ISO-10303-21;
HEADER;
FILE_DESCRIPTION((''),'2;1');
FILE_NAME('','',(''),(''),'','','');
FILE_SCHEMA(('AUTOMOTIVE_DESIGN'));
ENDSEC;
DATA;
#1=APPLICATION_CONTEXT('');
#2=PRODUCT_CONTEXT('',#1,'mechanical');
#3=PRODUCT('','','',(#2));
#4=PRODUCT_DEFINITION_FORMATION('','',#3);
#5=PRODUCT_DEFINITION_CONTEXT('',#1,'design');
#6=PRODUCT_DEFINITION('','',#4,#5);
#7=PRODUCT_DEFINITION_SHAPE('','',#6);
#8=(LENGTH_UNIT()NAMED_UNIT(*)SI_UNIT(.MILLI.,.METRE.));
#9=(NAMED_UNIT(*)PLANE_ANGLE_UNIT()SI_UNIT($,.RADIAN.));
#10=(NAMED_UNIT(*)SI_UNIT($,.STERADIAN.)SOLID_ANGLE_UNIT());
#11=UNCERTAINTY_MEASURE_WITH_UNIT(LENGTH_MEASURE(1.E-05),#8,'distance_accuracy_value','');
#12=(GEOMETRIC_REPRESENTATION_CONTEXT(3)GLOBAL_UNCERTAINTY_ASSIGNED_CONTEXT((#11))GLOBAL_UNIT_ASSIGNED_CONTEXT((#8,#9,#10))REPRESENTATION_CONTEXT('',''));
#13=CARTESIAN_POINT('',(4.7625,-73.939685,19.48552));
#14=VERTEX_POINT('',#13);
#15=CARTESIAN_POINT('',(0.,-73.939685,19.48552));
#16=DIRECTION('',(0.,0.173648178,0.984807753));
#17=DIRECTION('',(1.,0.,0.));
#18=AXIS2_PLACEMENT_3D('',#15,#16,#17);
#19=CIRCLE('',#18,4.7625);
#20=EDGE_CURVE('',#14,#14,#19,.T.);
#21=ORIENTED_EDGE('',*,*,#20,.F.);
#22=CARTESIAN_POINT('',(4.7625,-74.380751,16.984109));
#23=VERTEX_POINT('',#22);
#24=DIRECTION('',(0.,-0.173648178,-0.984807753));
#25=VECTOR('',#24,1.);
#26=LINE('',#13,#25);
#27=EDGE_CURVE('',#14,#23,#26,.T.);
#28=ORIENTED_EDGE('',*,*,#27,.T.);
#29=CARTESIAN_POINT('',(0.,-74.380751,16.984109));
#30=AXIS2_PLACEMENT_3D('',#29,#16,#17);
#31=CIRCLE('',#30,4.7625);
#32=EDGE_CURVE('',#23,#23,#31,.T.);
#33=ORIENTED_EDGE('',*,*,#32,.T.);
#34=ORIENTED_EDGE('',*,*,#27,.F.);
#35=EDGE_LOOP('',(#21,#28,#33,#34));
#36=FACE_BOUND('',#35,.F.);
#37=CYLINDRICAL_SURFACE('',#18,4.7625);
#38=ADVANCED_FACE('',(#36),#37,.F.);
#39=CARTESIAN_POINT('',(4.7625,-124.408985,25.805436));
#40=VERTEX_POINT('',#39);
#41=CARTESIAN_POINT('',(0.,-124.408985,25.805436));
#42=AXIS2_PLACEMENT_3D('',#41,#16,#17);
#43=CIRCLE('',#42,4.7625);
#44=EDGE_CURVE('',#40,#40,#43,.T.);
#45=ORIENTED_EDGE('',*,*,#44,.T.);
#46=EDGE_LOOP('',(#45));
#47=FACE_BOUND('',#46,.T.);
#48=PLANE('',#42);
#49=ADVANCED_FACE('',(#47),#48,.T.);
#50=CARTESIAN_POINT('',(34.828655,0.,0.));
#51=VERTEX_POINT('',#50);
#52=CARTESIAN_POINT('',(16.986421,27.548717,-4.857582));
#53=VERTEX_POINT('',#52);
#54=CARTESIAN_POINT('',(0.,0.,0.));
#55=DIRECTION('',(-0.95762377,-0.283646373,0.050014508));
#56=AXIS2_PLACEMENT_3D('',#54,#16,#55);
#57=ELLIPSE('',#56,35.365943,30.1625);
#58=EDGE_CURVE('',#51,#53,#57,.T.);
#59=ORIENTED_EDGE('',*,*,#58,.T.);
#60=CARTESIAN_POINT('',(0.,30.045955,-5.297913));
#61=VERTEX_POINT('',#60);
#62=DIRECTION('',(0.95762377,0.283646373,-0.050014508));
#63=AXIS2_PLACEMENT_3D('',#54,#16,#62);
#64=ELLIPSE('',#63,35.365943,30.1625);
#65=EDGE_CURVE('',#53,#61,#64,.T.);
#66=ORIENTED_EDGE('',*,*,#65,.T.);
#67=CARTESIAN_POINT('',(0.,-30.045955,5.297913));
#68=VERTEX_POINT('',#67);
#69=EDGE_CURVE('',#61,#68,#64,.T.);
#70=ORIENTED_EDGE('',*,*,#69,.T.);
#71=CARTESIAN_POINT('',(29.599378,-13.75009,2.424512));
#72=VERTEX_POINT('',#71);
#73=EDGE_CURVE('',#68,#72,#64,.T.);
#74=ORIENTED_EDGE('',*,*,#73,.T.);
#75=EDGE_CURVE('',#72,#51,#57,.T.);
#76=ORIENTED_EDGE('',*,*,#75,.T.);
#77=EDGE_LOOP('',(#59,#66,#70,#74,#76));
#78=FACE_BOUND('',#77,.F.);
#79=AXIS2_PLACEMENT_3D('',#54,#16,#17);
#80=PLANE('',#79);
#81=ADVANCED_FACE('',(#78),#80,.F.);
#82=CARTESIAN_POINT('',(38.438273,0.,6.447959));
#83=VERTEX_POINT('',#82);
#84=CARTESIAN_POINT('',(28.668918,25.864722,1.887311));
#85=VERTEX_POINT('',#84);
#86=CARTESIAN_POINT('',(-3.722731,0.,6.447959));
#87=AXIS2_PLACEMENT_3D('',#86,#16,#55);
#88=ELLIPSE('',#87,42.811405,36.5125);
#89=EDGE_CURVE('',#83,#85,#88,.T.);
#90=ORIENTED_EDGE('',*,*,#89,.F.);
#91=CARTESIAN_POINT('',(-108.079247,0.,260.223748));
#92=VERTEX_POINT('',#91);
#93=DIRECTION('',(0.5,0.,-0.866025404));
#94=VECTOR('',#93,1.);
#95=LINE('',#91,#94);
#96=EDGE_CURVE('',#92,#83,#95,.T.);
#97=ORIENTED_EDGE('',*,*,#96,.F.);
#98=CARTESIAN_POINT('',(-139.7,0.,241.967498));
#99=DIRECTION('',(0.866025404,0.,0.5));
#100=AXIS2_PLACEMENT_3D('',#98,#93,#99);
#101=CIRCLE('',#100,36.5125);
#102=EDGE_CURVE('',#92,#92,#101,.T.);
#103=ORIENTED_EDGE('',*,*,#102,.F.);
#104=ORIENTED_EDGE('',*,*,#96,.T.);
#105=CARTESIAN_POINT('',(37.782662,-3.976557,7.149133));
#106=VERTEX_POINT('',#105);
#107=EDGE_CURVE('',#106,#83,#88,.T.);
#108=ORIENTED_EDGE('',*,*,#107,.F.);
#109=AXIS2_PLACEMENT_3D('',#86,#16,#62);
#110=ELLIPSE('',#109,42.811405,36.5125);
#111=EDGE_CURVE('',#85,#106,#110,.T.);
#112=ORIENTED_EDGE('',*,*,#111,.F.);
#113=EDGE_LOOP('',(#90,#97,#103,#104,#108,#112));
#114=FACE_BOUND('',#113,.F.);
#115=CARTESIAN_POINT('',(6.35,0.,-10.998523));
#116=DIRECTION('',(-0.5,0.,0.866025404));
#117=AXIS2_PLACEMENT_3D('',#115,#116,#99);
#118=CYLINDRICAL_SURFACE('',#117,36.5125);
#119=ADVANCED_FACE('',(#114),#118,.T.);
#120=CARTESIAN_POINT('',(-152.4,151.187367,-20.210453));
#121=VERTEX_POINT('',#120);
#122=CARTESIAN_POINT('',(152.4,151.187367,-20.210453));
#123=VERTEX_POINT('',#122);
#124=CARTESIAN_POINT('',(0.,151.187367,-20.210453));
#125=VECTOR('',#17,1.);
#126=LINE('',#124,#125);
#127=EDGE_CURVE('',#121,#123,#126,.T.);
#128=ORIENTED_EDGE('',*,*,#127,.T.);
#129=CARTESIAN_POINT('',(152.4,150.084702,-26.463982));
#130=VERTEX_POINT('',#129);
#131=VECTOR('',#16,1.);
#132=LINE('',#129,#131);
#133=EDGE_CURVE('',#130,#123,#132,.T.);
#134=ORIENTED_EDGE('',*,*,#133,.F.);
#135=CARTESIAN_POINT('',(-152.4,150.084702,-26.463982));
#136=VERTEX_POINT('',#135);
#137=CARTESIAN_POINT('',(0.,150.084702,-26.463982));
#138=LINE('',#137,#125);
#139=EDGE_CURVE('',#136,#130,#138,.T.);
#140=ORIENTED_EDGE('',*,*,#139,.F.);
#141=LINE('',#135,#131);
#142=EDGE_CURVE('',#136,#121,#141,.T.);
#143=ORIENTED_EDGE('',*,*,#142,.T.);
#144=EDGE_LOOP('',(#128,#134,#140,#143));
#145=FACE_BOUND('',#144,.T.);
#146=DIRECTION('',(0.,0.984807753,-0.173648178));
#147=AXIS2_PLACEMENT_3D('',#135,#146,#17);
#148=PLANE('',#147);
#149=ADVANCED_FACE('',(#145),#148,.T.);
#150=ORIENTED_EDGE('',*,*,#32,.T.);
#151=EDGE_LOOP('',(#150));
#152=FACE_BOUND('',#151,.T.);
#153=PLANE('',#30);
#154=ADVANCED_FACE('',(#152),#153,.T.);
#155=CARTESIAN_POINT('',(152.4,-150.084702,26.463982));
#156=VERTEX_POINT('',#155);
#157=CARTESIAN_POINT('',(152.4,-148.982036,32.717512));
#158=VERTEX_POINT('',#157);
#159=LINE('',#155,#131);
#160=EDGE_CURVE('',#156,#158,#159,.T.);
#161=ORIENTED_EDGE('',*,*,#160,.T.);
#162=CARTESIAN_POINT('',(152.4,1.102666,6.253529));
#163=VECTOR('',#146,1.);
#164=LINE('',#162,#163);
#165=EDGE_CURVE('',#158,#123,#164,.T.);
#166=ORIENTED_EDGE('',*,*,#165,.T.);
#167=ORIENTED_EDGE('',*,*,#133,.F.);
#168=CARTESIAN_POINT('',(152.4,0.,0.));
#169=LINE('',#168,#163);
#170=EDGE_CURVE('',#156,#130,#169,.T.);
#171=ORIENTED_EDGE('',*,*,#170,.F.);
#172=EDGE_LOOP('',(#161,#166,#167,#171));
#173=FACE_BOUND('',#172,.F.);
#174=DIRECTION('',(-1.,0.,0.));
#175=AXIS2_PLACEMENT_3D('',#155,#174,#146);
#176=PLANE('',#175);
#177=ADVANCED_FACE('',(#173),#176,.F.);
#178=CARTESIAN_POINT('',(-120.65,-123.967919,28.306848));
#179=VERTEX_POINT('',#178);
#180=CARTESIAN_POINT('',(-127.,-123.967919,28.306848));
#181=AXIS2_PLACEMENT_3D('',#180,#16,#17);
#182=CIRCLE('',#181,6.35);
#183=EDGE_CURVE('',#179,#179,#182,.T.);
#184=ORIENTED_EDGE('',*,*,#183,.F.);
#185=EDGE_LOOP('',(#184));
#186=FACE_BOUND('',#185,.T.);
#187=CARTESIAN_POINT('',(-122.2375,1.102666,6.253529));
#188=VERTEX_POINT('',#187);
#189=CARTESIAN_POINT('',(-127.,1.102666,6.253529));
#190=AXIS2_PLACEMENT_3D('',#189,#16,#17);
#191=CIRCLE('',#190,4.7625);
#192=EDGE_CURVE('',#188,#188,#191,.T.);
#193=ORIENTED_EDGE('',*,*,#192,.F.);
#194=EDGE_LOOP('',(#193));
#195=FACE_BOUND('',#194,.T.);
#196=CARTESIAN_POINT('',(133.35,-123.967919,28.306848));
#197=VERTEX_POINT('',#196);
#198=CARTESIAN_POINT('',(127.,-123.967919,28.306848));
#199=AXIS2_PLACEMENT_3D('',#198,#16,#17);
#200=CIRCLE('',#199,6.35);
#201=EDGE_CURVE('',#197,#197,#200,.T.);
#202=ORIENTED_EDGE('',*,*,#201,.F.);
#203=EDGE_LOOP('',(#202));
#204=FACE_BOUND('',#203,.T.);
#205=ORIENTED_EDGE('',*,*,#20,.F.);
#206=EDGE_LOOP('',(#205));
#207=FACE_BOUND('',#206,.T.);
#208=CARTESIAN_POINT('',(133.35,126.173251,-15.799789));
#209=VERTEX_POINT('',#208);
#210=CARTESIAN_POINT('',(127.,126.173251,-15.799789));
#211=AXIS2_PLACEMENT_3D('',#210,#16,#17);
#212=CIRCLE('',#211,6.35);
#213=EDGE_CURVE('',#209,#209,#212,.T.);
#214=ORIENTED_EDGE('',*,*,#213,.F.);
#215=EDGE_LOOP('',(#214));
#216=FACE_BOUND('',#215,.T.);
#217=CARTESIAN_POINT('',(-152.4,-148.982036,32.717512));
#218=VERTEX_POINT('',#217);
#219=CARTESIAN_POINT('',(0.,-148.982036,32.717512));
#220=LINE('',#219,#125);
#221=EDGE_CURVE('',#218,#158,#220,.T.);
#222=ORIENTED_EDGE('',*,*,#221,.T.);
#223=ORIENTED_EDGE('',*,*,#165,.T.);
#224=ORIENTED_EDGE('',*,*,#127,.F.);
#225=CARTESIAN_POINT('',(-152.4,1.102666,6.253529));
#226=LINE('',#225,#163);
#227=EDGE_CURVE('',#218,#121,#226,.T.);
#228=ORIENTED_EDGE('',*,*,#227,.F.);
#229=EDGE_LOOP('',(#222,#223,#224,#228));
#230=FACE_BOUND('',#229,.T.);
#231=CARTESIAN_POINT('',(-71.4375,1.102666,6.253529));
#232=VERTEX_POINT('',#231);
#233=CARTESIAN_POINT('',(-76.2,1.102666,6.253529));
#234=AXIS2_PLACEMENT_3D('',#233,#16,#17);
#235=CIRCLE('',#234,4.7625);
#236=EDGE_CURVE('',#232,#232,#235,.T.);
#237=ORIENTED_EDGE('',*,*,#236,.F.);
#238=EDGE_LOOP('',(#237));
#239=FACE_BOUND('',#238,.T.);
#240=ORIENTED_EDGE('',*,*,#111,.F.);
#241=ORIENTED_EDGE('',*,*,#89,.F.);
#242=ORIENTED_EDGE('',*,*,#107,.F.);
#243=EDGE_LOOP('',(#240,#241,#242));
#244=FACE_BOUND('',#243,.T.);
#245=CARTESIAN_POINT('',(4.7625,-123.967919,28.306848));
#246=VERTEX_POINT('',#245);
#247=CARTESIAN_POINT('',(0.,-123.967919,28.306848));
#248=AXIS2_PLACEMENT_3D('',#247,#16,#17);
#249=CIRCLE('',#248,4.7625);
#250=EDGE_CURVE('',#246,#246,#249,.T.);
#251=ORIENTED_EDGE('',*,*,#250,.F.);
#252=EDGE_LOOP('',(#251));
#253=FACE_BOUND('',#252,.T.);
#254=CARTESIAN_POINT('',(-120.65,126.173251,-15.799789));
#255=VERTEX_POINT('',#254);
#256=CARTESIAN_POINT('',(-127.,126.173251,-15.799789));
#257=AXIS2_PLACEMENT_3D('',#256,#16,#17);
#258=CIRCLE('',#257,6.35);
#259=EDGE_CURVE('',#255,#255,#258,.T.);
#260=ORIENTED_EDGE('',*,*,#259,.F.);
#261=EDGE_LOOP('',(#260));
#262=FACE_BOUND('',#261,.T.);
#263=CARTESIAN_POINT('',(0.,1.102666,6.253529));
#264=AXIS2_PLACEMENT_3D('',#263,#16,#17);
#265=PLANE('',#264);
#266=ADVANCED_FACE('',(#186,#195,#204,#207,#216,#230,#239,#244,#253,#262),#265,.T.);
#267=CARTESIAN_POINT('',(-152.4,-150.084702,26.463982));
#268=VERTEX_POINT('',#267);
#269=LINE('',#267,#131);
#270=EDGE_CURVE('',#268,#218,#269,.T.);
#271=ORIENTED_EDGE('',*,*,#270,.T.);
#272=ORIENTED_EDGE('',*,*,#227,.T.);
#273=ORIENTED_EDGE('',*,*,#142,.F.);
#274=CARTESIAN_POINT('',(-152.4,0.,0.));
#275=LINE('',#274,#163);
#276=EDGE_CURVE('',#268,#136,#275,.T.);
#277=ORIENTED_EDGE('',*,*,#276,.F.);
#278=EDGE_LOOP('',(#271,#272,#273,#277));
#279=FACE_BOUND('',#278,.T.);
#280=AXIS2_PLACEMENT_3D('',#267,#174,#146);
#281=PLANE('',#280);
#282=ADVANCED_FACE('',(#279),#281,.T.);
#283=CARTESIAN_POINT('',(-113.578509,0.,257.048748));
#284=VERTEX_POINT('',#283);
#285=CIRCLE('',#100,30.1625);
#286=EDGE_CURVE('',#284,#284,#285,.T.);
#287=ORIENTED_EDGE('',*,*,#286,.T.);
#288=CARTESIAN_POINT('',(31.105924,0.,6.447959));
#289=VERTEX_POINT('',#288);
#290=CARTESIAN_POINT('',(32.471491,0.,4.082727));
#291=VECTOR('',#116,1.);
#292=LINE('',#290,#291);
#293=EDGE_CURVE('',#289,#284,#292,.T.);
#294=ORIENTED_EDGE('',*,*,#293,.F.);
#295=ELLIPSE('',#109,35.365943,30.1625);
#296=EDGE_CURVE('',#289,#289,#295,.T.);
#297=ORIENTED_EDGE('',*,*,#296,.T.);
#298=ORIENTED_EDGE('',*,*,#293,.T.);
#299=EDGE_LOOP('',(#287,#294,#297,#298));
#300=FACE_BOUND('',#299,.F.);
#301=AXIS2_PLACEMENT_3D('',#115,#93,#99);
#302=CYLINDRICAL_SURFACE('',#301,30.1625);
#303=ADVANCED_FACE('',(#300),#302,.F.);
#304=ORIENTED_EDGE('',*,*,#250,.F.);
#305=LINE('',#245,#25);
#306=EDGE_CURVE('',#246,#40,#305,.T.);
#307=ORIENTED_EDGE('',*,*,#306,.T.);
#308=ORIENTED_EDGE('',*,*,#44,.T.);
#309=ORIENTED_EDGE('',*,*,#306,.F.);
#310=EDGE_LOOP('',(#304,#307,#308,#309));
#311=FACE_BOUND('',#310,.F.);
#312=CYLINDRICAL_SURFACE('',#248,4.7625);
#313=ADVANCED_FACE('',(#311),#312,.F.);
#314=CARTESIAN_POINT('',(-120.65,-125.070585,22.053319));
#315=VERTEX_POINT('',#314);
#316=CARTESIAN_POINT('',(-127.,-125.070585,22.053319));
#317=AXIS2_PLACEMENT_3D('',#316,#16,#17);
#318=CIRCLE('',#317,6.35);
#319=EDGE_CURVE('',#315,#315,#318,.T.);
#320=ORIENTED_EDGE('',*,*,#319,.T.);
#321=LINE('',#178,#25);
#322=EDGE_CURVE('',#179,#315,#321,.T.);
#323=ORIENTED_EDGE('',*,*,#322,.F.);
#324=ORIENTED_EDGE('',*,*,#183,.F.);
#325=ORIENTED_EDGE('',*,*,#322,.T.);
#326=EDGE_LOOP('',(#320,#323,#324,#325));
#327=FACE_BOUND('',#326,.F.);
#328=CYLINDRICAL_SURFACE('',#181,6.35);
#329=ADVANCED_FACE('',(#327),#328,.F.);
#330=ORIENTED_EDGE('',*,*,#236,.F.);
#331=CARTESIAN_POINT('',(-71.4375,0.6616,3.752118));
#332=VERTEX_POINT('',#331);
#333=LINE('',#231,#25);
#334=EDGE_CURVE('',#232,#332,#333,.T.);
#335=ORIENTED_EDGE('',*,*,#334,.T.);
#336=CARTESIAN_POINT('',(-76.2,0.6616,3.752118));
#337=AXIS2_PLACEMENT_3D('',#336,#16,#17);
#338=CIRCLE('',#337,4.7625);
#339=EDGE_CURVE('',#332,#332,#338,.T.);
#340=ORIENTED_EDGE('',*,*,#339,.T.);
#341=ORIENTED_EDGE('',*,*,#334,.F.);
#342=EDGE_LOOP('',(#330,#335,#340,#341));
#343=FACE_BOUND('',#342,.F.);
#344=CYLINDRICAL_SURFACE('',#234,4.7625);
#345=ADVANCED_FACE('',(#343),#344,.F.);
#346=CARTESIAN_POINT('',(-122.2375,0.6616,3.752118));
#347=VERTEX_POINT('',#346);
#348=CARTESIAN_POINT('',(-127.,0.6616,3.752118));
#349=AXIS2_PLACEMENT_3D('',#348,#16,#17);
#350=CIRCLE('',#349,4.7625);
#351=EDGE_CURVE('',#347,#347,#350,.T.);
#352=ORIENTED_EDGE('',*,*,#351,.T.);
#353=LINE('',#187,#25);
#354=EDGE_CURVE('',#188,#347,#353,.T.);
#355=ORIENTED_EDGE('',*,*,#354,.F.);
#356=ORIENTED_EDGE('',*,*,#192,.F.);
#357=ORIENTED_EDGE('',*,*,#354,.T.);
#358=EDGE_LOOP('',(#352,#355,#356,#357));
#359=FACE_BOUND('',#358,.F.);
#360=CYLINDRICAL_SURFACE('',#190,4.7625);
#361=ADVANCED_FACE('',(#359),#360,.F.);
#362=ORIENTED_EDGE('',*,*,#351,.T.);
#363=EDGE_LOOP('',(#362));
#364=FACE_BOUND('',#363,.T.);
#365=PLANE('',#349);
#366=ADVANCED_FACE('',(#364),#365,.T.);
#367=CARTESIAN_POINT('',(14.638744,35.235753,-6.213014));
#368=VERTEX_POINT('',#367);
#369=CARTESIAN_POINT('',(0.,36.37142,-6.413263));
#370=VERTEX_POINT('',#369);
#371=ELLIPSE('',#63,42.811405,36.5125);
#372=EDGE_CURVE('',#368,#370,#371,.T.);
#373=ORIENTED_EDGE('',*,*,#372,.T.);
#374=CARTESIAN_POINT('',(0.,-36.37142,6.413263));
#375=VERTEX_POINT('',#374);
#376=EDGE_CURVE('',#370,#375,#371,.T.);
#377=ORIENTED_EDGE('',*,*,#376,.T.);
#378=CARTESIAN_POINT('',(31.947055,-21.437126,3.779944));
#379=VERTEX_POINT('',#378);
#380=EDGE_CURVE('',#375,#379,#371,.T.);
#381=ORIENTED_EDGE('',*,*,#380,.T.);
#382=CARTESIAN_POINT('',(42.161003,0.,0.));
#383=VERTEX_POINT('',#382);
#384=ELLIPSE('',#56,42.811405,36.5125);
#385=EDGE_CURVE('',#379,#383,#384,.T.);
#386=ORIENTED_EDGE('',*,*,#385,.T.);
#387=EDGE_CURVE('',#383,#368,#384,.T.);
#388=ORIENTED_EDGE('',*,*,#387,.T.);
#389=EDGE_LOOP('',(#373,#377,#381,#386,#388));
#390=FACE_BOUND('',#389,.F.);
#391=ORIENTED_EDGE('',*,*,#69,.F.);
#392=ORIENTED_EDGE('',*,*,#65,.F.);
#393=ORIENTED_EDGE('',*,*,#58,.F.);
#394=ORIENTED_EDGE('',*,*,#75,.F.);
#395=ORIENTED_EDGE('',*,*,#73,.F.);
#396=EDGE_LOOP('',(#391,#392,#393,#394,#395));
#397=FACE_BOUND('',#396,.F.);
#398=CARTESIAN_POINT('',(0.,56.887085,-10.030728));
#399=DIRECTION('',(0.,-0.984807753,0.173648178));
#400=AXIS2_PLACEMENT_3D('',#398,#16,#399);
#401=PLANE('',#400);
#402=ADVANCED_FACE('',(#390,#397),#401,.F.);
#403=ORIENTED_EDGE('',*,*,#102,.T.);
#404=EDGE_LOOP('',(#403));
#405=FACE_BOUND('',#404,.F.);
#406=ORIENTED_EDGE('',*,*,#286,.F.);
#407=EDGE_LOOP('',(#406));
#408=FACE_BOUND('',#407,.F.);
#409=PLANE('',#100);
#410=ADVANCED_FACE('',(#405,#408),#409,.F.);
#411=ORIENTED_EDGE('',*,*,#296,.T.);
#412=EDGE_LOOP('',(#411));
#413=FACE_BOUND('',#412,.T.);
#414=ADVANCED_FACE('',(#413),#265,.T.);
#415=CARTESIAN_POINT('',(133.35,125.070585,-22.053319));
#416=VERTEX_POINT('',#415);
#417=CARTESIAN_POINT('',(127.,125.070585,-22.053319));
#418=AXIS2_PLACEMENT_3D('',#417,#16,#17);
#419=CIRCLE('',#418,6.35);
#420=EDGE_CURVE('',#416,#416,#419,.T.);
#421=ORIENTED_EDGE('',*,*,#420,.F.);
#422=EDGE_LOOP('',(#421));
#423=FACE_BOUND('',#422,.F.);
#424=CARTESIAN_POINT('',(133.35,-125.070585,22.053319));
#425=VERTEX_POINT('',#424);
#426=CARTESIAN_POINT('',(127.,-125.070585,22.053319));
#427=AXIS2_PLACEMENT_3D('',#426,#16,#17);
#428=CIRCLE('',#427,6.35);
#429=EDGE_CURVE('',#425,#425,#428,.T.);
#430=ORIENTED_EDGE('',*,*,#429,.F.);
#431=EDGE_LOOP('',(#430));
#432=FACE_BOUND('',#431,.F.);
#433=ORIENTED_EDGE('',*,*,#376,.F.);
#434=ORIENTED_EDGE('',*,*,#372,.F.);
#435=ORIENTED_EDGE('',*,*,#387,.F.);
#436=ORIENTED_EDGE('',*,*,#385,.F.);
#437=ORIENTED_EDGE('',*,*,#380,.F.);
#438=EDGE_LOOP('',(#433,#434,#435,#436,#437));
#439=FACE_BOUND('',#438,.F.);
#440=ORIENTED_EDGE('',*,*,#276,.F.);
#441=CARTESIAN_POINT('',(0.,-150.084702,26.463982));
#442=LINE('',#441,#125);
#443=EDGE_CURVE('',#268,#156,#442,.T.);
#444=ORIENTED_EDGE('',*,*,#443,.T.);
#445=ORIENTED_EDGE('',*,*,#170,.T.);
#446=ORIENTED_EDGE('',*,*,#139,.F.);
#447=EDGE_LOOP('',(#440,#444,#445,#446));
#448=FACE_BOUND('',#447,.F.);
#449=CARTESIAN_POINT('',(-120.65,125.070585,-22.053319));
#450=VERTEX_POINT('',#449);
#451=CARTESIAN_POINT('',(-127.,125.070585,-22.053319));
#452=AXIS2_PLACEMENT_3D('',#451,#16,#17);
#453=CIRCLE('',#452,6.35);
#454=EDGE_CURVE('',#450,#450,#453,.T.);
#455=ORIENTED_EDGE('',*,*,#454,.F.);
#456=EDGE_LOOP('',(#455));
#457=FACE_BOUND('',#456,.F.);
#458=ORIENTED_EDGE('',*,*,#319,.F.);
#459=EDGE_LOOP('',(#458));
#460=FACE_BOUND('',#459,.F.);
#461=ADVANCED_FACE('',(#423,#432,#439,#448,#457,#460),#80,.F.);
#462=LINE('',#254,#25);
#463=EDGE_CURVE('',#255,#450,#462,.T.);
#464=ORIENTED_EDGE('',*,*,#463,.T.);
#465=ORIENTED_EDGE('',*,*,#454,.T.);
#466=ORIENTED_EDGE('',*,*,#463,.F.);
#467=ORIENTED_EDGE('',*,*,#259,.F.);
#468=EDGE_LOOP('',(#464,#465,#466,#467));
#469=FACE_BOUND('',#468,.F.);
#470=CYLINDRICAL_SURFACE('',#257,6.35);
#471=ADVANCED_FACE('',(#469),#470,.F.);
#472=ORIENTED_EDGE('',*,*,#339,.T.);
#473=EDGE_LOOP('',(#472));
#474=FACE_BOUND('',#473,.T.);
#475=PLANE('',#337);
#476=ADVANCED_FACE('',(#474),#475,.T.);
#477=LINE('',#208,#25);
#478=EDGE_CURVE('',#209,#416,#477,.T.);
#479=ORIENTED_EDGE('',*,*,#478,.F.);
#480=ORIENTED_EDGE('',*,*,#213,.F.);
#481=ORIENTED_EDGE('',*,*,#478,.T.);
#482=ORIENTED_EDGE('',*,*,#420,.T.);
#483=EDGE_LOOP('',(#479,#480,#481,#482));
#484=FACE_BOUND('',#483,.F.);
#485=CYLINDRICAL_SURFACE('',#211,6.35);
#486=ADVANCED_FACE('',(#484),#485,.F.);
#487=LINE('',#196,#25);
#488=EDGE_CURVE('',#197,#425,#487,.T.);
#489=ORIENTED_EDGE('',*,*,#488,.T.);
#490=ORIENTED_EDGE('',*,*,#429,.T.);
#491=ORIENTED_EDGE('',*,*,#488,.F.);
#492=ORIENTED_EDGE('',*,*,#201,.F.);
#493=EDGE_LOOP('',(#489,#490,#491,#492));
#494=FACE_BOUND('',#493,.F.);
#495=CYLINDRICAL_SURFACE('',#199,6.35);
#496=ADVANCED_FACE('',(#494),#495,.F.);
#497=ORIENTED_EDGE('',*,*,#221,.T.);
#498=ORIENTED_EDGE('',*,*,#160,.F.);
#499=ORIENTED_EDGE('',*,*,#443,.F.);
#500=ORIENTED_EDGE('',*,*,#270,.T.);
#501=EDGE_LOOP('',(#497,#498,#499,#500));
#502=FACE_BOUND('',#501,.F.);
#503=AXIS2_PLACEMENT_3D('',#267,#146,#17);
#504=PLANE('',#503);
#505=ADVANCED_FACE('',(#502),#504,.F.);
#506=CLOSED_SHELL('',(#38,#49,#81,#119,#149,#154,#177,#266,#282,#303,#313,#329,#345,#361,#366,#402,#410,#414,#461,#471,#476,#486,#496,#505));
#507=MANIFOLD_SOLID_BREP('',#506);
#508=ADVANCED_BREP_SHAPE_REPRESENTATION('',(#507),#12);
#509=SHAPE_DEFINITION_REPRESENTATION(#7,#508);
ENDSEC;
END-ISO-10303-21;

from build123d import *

# Parameters (mm, degrees)
F2_W          = 304.8
F2_H          = 304.8
F3_DEPTH      = 6.35
F5_R          = 36.5125
F5_R_2        = 30.1625
F6_DEPTH      = 292.1
F6_DEPTH_BACK = 12.7
F8_DEPTH      = 50.8
F8_DEPTH_BACK = 50.8
F9_R          = 4.7625
F10_DEPTH     = 2.54
F11_R         = 6.35
F12_DEPTH     = 25.4


with BuildPart() as f3:
    # F2 (on line) → F3 (new body)
    with BuildSketch(Plane(origin=(0, 0, 0), x_dir=(1, 0, 0), z_dir=(0, 0.1736481777, 0.984807753))):
        Rectangle(F2_W, F2_H)
    extrude(amount=F3_DEPTH)

    # F5 (on line) → F6 (join, two sides)
    with BuildSketch(Plane(origin=(6.35, 0, -10.9985226281), x_dir=(0.8660254038, 0, 0.5), z_dir=(0.5, 0, -0.8660254038))) as f6_sk:
        Circle(F5_R)
        Circle(F5_R_2, mode=Mode.SUBTRACT)
    extrude(amount=-F6_DEPTH)
    extrude(f6_sk.sketch, amount=F6_DEPTH_BACK)

    # F7 (on Right) → F8 (cut, two sides)
    with BuildSketch(Plane.YZ) as f8_sk:
        Polygon((56.8870845878, -43.9009879504), (56.8870845878, -10.0307278667), (-39.12624161, 6.8990120496), (-39.12624161, -43.9009879504), align=None)
    extrude(amount=-F8_DEPTH, mode=Mode.SUBTRACT)
    extrude(f8_sk.sketch, amount=F8_DEPTH_BACK, mode=Mode.SUBTRACT)

    # F9 (on face) → F10 (cut)
    with BuildSketch(Plane(origin=(0, 1.1026659282, 6.2535292316), x_dir=(1, 0, 0), z_dir=(0, 0.1736481777, 0.984807753))):
        with Locations((0, -76.2)):
            Circle(F9_R)
        with Locations((0, -127)):
            Circle(F9_R)
        with Locations((-127, 0)):
            Circle(F9_R)
        with Locations((-76.2, 0)):
            Circle(F9_R)
    extrude(amount=-F10_DEPTH, mode=Mode.SUBTRACT)

    # F11 (on face) → F12 (cut)
    with BuildSketch(Plane(origin=(0, 1.1026659282, 6.2535292316), x_dir=(1, 0, 0), z_dir=(0, 0.1736481777, 0.984807753))):
        with Locations((127, 127)):
            Circle(F11_R)
        with Locations((127, -127)):
            Circle(F11_R)
        with Locations((-127, -127)):
            Circle(F11_R)
        with Locations((-127, 127)):
            Circle(F11_R)
    extrude(amount=-F12_DEPTH, mode=Mode.SUBTRACT)


solid = f3.part
